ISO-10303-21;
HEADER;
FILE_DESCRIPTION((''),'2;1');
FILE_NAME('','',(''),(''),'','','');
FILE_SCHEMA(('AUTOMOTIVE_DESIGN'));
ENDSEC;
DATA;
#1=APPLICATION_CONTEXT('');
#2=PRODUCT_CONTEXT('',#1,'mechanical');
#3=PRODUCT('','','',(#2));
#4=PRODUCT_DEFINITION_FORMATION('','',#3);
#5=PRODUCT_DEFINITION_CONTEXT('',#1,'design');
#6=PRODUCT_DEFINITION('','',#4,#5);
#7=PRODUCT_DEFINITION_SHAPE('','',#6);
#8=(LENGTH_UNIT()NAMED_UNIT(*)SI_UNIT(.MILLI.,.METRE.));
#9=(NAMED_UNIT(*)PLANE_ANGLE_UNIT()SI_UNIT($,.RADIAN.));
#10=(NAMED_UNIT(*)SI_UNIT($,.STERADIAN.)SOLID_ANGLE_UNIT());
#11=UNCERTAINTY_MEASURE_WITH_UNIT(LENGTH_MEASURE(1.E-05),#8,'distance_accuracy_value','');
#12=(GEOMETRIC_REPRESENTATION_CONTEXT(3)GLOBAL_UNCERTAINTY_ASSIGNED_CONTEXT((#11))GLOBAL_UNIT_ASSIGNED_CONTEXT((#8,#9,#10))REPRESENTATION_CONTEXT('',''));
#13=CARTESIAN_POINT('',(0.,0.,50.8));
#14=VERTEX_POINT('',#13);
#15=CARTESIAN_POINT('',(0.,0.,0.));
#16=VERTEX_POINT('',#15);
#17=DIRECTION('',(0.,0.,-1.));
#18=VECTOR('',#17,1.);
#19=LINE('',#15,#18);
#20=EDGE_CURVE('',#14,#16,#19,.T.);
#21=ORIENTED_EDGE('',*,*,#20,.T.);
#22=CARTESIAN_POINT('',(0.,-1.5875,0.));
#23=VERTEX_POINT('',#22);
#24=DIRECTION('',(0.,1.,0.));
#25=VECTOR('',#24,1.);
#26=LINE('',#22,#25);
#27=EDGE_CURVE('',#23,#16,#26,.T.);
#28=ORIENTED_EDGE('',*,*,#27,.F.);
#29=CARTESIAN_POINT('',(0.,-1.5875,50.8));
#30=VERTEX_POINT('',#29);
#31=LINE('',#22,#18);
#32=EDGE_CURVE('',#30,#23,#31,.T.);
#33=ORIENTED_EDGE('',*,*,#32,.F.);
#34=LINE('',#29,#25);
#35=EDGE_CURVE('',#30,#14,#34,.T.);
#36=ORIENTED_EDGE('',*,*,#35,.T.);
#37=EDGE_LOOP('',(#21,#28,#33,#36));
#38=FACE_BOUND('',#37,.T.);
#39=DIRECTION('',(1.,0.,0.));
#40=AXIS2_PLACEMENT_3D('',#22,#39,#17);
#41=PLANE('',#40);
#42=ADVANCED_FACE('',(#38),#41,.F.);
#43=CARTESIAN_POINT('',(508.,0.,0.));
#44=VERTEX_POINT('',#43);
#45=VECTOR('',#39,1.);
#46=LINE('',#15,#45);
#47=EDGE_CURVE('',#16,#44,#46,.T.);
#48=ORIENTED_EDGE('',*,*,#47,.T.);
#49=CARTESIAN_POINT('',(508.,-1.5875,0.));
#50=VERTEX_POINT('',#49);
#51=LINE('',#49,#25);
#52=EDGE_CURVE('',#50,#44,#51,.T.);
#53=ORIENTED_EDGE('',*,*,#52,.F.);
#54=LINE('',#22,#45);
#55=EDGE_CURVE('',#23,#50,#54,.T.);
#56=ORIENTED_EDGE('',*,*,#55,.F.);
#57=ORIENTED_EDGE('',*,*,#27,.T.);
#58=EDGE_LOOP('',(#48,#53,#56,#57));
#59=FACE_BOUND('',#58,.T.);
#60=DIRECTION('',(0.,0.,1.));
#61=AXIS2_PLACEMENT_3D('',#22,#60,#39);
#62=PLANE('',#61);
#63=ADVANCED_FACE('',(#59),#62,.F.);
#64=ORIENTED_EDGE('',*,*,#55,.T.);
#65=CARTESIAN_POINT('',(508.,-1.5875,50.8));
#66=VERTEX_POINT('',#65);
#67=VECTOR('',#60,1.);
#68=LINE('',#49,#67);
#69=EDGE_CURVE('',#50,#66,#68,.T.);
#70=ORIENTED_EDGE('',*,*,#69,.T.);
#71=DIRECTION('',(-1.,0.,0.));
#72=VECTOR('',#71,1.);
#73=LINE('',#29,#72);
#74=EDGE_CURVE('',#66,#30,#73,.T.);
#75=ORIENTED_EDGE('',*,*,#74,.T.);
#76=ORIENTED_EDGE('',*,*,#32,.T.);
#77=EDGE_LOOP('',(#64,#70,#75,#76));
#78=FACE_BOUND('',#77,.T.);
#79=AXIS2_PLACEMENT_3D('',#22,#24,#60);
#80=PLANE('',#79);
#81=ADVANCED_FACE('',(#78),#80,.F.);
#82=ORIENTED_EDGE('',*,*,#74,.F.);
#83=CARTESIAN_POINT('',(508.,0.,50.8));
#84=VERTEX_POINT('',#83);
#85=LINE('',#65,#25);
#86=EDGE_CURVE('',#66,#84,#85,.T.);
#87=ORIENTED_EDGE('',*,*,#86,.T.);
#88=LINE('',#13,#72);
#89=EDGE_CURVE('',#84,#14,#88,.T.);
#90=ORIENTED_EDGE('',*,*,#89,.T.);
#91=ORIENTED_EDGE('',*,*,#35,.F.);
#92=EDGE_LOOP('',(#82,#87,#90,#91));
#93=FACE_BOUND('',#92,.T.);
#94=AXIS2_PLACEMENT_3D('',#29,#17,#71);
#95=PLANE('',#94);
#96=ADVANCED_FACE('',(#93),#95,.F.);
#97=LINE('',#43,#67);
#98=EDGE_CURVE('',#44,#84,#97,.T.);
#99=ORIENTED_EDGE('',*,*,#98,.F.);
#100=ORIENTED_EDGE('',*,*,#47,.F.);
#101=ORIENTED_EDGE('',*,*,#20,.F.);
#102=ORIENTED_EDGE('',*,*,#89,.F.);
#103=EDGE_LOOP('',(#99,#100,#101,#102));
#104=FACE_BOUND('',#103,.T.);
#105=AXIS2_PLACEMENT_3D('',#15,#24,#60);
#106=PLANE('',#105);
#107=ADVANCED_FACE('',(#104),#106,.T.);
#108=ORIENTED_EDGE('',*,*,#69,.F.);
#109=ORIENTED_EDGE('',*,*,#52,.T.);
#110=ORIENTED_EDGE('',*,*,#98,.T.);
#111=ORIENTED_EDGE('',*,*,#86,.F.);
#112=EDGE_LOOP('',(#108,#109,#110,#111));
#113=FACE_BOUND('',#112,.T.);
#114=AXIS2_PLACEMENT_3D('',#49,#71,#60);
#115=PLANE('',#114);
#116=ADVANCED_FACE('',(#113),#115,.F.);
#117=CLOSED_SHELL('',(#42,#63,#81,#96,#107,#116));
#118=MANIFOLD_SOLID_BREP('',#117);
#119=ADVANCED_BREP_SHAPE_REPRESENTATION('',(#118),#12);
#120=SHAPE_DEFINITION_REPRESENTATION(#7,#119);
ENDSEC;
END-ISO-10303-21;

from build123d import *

# Parameters (mm, degrees)
SKETCH1_W           = 508
SKETCH1_H           = 50.8
BOSS_EXTRUDE1_DEPTH = 1.5875


with BuildPart() as part:
    # Sketch1 → Boss-Extrude1 (new body)
    with BuildSketch(Plane.XZ):
        with Locations((254, 25.4)):
            Rectangle(SKETCH1_W, SKETCH1_H)
    extrude(amount=BOSS_EXTRUDE1_DEPTH)


solid = part.part
